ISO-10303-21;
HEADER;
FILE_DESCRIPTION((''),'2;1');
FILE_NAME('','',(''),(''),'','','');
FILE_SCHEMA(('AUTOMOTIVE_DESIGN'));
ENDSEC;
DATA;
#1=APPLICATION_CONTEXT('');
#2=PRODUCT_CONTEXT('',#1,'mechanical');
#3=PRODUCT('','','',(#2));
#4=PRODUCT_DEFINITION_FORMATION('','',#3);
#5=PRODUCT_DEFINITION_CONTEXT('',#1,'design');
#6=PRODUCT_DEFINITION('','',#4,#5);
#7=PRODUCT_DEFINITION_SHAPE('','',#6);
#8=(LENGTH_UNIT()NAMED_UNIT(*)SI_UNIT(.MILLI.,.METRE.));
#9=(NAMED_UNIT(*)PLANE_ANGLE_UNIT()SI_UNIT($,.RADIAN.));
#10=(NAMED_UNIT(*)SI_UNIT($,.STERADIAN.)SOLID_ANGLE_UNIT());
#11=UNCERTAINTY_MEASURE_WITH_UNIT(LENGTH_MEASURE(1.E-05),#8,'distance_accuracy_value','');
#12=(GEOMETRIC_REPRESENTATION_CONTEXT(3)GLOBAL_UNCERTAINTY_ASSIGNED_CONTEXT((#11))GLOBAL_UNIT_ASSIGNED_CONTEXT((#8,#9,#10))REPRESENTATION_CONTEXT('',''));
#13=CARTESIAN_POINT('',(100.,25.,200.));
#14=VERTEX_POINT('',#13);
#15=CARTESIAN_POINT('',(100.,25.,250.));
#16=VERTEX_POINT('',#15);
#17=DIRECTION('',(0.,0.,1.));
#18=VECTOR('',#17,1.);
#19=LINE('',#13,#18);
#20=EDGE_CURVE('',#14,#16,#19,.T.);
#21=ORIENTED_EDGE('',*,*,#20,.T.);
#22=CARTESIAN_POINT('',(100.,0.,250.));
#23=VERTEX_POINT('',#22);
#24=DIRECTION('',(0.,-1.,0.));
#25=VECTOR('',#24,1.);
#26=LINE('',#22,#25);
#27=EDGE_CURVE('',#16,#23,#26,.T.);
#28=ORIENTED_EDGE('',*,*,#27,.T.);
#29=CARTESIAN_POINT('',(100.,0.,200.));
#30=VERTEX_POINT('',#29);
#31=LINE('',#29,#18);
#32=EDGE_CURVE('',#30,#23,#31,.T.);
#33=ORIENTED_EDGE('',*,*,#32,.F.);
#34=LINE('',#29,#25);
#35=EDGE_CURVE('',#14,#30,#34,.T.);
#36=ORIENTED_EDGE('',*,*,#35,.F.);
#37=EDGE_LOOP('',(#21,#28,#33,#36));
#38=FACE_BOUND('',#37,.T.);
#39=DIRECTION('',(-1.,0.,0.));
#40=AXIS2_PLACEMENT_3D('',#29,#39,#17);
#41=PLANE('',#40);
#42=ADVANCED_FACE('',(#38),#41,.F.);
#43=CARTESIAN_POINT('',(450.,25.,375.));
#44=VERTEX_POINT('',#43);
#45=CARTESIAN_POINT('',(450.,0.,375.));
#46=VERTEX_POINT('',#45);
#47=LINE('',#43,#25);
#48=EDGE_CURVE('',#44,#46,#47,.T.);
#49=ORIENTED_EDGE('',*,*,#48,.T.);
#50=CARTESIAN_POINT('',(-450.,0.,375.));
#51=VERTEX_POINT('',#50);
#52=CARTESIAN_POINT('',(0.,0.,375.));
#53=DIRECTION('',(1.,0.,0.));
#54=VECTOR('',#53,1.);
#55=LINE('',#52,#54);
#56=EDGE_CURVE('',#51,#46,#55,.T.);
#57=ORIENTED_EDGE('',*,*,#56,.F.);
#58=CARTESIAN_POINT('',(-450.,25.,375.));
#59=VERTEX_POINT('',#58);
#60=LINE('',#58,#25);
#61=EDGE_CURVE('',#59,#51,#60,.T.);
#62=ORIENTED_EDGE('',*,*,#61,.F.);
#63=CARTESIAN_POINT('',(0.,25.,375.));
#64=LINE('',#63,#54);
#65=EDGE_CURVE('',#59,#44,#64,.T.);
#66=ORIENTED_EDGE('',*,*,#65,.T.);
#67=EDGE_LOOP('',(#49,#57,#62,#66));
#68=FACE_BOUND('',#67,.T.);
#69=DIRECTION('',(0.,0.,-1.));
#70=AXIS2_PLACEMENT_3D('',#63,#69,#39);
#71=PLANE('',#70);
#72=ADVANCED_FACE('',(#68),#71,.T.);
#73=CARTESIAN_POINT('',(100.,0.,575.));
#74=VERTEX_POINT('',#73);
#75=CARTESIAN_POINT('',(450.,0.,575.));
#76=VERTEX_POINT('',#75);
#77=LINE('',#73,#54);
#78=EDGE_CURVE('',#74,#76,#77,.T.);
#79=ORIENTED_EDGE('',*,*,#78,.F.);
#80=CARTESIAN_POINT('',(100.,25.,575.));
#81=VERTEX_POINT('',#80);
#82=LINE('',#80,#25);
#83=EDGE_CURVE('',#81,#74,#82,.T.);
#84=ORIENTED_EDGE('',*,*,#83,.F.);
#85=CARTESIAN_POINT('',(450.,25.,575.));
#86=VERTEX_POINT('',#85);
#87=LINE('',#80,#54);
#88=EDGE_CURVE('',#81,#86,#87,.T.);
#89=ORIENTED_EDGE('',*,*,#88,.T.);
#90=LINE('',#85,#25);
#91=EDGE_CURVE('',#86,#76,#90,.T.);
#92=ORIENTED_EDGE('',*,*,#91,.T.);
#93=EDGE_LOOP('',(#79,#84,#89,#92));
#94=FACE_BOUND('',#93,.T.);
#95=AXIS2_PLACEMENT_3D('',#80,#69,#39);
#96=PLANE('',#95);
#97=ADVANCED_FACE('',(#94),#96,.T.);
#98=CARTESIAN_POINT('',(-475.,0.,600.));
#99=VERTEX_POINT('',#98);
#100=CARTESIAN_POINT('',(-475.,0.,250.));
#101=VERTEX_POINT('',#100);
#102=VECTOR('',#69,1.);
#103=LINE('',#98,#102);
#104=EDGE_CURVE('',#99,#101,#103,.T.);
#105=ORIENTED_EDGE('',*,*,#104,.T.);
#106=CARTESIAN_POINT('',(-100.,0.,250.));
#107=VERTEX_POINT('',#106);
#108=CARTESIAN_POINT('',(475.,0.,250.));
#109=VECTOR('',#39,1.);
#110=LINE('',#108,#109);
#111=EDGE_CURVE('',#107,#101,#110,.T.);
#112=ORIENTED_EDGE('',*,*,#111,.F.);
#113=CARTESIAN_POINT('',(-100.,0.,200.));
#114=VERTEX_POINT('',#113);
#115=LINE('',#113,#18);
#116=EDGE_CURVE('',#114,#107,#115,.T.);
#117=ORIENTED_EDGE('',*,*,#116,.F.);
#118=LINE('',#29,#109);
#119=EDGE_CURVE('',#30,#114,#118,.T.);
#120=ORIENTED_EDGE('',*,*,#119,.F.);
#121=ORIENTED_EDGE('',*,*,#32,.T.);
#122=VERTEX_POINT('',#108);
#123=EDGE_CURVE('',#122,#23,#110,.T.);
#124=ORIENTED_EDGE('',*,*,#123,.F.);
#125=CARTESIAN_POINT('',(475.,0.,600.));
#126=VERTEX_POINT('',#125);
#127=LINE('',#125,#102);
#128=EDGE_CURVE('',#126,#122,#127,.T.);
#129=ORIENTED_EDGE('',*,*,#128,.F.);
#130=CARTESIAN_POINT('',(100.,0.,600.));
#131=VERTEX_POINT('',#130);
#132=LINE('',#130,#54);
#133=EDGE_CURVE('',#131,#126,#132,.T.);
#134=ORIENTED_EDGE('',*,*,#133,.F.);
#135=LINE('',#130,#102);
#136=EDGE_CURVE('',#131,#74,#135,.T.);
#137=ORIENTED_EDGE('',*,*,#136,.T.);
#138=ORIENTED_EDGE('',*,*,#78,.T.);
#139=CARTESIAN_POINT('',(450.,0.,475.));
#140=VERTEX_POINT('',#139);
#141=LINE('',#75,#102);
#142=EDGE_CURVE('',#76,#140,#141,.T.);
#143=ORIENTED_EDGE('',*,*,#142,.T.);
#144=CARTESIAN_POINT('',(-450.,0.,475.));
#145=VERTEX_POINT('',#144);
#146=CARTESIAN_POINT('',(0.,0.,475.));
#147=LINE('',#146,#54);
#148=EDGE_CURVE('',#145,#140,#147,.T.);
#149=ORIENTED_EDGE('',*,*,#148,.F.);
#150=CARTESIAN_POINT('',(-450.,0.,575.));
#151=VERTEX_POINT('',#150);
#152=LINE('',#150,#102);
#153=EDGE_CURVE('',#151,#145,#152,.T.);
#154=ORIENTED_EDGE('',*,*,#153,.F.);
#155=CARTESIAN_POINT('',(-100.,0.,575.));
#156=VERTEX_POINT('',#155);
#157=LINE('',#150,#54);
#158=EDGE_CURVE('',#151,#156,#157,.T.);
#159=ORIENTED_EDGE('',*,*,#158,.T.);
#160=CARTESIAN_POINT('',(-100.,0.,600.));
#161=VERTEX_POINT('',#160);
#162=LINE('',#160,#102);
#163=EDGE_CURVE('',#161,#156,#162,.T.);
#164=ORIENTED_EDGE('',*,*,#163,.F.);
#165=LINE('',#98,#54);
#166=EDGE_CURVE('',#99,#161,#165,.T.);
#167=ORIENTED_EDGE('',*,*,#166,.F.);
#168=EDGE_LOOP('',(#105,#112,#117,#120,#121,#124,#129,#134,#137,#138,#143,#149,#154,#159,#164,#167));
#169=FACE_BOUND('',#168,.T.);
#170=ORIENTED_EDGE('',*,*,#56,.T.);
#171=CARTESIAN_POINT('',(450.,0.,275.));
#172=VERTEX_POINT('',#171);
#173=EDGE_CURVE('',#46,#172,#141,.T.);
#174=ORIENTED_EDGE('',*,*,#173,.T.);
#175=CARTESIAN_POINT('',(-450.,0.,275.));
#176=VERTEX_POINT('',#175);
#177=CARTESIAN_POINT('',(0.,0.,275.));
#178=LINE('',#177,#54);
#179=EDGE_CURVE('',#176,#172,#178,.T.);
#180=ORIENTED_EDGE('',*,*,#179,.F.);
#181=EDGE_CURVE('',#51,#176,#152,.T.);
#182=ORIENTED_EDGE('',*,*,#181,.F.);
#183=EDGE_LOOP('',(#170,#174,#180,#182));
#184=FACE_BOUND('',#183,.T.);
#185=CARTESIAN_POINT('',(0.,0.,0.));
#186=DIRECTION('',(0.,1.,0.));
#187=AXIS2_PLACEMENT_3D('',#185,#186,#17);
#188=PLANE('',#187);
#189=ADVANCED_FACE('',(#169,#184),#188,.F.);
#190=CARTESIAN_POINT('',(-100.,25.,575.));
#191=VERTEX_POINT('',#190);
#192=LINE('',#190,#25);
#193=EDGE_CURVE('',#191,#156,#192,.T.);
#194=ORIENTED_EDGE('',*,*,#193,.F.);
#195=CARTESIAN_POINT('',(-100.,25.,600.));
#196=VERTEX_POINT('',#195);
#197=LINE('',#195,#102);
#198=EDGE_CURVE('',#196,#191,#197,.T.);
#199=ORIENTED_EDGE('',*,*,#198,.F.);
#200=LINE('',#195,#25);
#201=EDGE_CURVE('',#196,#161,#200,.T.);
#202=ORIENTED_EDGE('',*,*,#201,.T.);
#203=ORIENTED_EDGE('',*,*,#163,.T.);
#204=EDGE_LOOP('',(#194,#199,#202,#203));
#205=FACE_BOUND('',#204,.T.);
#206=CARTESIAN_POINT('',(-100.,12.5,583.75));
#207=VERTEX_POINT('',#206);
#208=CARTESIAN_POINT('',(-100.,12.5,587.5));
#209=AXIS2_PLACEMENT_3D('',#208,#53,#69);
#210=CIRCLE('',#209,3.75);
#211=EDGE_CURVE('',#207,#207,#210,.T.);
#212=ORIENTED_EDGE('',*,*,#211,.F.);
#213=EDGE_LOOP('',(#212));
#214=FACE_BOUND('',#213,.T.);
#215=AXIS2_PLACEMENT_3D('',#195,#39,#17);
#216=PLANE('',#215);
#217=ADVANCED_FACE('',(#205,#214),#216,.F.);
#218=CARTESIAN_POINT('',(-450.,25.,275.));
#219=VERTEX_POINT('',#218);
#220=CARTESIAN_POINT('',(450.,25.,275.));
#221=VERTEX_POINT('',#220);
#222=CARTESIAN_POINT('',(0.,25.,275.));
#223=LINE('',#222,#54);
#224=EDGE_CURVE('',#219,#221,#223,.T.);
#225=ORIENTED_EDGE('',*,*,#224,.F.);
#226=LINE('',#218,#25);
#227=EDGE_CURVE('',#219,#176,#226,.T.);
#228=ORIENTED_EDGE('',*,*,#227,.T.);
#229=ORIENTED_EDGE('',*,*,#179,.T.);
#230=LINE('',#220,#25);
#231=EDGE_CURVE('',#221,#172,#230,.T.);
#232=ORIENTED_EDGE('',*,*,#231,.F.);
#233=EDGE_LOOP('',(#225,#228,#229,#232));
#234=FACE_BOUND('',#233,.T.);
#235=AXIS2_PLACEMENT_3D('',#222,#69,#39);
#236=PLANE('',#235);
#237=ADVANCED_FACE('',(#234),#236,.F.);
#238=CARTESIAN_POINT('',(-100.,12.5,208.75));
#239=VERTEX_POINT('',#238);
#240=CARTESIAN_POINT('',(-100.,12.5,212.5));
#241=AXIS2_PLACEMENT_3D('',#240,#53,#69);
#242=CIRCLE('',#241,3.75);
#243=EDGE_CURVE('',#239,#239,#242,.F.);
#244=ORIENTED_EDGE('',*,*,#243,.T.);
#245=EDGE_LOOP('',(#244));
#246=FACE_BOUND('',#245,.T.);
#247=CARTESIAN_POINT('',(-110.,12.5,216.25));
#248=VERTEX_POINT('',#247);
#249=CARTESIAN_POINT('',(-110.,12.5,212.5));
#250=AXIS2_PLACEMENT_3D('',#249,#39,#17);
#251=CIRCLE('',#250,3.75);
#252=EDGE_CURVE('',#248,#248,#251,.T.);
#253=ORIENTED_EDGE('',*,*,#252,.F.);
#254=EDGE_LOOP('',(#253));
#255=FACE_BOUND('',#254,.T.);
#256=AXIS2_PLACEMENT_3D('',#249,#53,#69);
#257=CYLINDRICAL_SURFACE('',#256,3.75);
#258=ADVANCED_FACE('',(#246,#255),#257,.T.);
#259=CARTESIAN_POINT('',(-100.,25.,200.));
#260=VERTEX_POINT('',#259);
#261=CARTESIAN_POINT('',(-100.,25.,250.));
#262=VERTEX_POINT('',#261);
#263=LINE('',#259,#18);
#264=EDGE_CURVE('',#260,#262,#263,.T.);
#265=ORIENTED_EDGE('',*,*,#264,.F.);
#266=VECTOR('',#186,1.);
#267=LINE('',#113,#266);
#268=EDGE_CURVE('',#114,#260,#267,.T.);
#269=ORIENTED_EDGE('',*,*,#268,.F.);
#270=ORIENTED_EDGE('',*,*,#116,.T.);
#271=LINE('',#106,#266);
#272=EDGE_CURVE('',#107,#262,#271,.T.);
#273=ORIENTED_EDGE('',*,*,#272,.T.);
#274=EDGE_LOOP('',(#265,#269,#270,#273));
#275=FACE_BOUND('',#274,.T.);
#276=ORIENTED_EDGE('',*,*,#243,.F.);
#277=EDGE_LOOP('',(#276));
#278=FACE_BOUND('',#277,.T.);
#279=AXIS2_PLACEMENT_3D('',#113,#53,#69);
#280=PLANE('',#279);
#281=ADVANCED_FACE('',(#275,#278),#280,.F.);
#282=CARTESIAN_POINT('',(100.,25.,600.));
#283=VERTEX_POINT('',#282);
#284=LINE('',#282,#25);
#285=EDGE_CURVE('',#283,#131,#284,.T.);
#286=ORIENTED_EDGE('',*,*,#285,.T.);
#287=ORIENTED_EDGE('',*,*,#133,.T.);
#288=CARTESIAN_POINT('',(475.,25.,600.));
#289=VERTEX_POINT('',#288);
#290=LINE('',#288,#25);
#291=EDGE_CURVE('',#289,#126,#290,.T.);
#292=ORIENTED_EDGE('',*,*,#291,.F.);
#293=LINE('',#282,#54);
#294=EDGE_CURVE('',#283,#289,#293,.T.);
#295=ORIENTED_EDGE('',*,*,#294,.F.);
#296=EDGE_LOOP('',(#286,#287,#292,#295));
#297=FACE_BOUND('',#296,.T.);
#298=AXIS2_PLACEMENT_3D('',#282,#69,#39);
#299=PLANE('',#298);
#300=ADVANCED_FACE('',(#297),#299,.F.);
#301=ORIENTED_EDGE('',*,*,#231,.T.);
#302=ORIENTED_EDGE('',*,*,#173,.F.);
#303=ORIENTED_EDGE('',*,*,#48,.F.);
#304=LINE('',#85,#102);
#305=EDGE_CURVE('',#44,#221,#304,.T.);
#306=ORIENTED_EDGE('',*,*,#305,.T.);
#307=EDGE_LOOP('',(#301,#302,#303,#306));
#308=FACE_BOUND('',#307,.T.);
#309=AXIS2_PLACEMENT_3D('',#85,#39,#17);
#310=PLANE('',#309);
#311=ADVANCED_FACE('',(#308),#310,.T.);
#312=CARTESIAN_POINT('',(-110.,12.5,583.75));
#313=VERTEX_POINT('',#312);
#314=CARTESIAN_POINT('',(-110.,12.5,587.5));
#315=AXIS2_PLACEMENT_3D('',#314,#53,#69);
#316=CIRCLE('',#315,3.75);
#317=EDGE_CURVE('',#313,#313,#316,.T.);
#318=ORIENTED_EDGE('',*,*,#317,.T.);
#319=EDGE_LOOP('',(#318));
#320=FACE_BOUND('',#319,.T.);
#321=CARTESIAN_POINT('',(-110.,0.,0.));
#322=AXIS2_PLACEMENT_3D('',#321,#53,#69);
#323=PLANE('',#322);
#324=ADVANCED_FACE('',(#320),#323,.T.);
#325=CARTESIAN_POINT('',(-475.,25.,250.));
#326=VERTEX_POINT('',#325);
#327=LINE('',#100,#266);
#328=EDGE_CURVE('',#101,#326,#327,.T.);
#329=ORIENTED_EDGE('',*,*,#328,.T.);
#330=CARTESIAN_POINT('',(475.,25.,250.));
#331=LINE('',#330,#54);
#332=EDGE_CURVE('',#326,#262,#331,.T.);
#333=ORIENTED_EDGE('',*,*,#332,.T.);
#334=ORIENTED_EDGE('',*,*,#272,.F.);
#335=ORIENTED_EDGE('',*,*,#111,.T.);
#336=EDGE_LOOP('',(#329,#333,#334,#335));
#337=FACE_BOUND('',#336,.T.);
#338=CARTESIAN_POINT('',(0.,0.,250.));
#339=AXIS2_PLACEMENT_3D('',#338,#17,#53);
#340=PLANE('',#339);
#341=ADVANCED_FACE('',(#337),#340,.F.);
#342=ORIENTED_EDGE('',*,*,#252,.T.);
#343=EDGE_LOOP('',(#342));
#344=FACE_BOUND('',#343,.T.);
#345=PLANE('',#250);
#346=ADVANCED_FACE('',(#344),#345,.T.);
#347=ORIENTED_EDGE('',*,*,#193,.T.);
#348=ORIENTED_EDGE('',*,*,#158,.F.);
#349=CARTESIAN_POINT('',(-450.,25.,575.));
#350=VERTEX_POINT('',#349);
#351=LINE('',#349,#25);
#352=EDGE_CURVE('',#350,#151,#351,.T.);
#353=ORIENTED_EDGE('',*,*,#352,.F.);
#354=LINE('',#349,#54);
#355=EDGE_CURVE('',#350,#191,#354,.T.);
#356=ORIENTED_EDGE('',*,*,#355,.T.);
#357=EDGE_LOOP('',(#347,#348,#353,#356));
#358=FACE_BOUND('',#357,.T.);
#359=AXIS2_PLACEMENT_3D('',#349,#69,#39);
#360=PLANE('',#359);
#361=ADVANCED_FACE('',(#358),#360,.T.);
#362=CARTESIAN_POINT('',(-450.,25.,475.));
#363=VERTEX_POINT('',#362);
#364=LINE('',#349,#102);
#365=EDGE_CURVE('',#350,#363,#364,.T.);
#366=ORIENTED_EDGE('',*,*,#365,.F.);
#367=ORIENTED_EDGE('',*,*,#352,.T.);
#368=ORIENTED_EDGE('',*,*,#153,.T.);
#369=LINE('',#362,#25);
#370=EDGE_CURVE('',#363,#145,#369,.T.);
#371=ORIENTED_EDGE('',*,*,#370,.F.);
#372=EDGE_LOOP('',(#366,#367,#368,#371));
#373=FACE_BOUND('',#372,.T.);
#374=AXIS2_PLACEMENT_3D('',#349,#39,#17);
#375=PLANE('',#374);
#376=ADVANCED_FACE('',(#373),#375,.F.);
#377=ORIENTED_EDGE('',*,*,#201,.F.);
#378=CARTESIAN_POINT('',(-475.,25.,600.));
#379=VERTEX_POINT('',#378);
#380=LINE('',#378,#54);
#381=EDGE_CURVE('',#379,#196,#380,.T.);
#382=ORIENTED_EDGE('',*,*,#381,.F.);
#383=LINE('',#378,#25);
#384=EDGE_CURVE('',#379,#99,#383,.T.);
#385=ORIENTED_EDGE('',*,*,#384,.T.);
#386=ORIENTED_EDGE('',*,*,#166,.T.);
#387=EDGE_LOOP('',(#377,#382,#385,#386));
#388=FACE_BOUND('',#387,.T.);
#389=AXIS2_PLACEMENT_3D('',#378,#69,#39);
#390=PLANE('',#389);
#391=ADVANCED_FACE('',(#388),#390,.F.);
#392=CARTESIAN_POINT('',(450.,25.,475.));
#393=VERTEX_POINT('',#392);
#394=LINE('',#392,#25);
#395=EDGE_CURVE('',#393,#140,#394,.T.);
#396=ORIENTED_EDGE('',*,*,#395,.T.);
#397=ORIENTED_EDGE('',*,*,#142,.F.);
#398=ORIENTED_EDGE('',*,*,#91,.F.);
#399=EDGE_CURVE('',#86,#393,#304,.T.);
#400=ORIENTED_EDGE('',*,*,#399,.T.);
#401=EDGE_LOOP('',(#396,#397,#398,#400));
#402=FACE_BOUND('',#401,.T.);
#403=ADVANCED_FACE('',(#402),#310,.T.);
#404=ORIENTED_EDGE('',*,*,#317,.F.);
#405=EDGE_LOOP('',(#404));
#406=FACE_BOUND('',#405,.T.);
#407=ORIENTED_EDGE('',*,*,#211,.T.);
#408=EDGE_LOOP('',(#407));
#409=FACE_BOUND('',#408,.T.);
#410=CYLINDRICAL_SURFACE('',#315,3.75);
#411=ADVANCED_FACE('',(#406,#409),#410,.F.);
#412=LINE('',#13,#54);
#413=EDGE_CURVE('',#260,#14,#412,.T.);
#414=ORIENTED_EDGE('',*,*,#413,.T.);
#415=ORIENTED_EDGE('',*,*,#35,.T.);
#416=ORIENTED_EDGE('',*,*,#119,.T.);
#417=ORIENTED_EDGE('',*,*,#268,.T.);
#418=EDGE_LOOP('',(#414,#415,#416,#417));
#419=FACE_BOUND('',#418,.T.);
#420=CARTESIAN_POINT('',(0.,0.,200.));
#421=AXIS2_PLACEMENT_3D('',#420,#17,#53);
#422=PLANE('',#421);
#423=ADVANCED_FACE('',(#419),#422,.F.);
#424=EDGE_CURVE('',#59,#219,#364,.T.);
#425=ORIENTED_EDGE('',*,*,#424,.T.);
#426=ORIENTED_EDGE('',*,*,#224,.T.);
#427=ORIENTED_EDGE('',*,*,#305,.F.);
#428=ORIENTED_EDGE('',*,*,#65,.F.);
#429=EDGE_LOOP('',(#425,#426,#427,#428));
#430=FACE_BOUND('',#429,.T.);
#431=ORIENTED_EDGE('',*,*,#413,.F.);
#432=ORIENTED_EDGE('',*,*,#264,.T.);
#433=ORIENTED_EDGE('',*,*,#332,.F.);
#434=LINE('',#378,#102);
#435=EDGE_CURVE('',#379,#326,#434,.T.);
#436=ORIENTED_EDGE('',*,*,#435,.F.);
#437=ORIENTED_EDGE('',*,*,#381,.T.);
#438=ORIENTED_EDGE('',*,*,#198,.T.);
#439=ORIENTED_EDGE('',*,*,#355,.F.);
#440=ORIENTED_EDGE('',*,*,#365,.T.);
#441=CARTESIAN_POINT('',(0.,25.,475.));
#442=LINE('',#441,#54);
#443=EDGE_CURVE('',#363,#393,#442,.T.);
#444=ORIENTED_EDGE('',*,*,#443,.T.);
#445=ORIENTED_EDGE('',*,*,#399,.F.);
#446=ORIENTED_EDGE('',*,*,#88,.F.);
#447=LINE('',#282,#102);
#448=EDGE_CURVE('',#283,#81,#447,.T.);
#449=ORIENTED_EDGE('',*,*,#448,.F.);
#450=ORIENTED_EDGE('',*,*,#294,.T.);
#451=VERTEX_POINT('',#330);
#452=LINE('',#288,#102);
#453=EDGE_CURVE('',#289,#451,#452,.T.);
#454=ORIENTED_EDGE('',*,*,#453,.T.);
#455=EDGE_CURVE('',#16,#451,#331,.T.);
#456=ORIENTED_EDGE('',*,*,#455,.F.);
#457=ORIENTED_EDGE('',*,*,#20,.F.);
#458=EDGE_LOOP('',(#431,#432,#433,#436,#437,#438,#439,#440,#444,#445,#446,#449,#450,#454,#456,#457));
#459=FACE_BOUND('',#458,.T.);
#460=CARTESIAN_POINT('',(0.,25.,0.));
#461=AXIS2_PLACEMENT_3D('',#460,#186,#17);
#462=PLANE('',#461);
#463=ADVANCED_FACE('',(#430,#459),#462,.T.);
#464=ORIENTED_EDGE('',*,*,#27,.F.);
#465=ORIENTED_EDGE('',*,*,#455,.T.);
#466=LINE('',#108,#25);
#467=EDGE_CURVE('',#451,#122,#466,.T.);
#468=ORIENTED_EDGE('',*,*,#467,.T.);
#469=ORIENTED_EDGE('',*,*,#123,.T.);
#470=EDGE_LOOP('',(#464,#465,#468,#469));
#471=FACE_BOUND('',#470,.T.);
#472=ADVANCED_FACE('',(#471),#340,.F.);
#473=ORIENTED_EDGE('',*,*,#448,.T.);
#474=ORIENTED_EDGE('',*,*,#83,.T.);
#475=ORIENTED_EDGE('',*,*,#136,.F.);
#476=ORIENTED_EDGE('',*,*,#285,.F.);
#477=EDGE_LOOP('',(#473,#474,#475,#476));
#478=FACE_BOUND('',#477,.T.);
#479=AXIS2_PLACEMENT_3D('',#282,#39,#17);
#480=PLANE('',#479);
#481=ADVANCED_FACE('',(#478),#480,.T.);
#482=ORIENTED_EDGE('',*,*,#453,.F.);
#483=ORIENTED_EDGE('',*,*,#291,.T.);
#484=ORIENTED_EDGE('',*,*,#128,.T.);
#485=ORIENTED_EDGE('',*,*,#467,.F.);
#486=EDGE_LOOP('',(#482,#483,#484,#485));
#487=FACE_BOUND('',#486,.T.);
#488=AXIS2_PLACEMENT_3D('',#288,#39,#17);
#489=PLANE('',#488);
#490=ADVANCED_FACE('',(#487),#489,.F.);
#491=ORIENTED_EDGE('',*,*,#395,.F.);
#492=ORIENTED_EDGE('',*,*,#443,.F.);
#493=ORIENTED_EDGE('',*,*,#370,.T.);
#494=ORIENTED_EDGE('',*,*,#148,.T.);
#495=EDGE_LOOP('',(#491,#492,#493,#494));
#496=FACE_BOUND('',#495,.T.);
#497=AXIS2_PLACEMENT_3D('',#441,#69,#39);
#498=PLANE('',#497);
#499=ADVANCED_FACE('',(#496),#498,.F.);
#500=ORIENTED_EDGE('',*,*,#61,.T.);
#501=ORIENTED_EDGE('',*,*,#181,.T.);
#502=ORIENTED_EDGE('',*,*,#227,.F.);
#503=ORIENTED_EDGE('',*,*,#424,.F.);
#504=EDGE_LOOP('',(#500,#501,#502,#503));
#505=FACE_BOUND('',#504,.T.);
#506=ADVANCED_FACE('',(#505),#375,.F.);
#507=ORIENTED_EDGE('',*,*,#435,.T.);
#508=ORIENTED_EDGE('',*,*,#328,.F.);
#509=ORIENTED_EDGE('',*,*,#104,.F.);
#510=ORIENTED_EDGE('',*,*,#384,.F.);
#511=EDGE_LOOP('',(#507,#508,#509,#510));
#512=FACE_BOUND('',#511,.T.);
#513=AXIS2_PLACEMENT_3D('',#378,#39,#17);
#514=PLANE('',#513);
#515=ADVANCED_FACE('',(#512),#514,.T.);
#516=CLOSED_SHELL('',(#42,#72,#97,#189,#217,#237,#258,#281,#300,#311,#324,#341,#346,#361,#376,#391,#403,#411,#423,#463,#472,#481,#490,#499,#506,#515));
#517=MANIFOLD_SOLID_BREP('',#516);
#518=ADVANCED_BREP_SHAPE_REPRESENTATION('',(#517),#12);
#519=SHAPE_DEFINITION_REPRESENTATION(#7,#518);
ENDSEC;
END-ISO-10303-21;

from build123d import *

# Parameters (mm, degrees)
CROQUIS1_W              = 900
CROQUIS1_H              = 100
CROQUIS1_H_2            = 300
CROQUIS1_H_3            = 150
SALIENTE_EXTRUIR2_DEPTH = 25
CORTAR_EXTRUIR1_DEPTH   = 10
CROQUIS3_W              = 950
CROQUIS3_H              = 25
CORTAR_EXTRUIR2_DEPTH   = 850
CROQUIS4_W              = 200
CROQUIS4_H              = 25
SALIENTE_EXTRUIR3_DEPTH = 50
CROQUIS5_R              = 3.75
SALIENTE_EXTRUIR4_DEPTH = 10


with BuildPart() as part:
    # Croquis1 → Saliente-Extruir2 (new body)
    with BuildSketch(Plane(origin=(0, 0, 0), x_dir=(1, 0, 0), z_dir=(0, 1, 0))):
        Polygon((450, -475), (450, -575), (100, -575), (100, -600), (475, -600), (475, 600), (-475, 600), (-475, -600), (-100, -600), (-100, -575), (-450, -575), (-450, -475), align=None)
        with Locations((0, -325)):
            Rectangle(CROQUIS1_W, CROQUIS1_H, mode=Mode.SUBTRACT)
        with Locations((0, -25)):
            Rectangle(CROQUIS1_W, CROQUIS1_H_2, mode=Mode.SUBTRACT)
        with Locations((0, 350)):
            Rectangle(CROQUIS1_W, CROQUIS1_H_3, mode=Mode.SUBTRACT)
    extrude(amount=SALIENTE_EXTRUIR2_DEPTH)

    # Croquis2 → Cortar-Extruir1 (cut)
    with BuildSketch(Plane(origin=(-100, 0, 0), x_dir=(0, 0, -1), z_dir=(1, 0, 0))):
        with BuildLine():
            ThreePointArc((-583.75, 12.5), (-586.064937129, 15.964548247), (-590.151650429, 15.151650429))
            Line((-590.151650429, 15.151650429), (-584.848349571, 9.848349571))
            ThreePointArc((-584.848349571, 9.848349571), (-584.035451753, 11.064937129), (-583.75, 12.5))
        make_face()
        with BuildLine():
            Line((-584.848349571, 9.848349571), (-590.151650429, 15.151650429))
            ThreePointArc((-590.151650429, 15.151650429), (-590.151650429, 9.848349571), (-584.848349571, 9.848349571))
        make_face()
    extrude(amount=-CORTAR_EXTRUIR1_DEPTH, mode=Mode.SUBTRACT)

    # Croquis3 → Cortar-Extruir2 (cut)
    with BuildSketch(Plane(origin=(0, 0, -600), x_dir=(-1, 0, 0), z_dir=(0, 0, -1))):
        with Locations((0, 12.5)):
            Rectangle(CROQUIS3_W, CROQUIS3_H)
    extrude(amount=-CORTAR_EXTRUIR2_DEPTH, mode=Mode.SUBTRACT)

    # Croquis4 → Saliente-Extruir3 (add)
    with BuildSketch(Plane(origin=(0, 0, 250), x_dir=(-1, 0, 0), z_dir=(0, 0, -1))):
        with Locations((0, 12.5)):
            Rectangle(CROQUIS4_W, CROQUIS4_H)
    extrude(amount=SALIENTE_EXTRUIR3_DEPTH)

    # Croquis5 → Saliente-Extruir4 (add)
    with BuildSketch(Plane.ZY.offset(100)):
        with Locations((212.5, 12.5)):
            Circle(CROQUIS5_R)
    extrude(amount=SALIENTE_EXTRUIR4_DEPTH)


solid = part.part
